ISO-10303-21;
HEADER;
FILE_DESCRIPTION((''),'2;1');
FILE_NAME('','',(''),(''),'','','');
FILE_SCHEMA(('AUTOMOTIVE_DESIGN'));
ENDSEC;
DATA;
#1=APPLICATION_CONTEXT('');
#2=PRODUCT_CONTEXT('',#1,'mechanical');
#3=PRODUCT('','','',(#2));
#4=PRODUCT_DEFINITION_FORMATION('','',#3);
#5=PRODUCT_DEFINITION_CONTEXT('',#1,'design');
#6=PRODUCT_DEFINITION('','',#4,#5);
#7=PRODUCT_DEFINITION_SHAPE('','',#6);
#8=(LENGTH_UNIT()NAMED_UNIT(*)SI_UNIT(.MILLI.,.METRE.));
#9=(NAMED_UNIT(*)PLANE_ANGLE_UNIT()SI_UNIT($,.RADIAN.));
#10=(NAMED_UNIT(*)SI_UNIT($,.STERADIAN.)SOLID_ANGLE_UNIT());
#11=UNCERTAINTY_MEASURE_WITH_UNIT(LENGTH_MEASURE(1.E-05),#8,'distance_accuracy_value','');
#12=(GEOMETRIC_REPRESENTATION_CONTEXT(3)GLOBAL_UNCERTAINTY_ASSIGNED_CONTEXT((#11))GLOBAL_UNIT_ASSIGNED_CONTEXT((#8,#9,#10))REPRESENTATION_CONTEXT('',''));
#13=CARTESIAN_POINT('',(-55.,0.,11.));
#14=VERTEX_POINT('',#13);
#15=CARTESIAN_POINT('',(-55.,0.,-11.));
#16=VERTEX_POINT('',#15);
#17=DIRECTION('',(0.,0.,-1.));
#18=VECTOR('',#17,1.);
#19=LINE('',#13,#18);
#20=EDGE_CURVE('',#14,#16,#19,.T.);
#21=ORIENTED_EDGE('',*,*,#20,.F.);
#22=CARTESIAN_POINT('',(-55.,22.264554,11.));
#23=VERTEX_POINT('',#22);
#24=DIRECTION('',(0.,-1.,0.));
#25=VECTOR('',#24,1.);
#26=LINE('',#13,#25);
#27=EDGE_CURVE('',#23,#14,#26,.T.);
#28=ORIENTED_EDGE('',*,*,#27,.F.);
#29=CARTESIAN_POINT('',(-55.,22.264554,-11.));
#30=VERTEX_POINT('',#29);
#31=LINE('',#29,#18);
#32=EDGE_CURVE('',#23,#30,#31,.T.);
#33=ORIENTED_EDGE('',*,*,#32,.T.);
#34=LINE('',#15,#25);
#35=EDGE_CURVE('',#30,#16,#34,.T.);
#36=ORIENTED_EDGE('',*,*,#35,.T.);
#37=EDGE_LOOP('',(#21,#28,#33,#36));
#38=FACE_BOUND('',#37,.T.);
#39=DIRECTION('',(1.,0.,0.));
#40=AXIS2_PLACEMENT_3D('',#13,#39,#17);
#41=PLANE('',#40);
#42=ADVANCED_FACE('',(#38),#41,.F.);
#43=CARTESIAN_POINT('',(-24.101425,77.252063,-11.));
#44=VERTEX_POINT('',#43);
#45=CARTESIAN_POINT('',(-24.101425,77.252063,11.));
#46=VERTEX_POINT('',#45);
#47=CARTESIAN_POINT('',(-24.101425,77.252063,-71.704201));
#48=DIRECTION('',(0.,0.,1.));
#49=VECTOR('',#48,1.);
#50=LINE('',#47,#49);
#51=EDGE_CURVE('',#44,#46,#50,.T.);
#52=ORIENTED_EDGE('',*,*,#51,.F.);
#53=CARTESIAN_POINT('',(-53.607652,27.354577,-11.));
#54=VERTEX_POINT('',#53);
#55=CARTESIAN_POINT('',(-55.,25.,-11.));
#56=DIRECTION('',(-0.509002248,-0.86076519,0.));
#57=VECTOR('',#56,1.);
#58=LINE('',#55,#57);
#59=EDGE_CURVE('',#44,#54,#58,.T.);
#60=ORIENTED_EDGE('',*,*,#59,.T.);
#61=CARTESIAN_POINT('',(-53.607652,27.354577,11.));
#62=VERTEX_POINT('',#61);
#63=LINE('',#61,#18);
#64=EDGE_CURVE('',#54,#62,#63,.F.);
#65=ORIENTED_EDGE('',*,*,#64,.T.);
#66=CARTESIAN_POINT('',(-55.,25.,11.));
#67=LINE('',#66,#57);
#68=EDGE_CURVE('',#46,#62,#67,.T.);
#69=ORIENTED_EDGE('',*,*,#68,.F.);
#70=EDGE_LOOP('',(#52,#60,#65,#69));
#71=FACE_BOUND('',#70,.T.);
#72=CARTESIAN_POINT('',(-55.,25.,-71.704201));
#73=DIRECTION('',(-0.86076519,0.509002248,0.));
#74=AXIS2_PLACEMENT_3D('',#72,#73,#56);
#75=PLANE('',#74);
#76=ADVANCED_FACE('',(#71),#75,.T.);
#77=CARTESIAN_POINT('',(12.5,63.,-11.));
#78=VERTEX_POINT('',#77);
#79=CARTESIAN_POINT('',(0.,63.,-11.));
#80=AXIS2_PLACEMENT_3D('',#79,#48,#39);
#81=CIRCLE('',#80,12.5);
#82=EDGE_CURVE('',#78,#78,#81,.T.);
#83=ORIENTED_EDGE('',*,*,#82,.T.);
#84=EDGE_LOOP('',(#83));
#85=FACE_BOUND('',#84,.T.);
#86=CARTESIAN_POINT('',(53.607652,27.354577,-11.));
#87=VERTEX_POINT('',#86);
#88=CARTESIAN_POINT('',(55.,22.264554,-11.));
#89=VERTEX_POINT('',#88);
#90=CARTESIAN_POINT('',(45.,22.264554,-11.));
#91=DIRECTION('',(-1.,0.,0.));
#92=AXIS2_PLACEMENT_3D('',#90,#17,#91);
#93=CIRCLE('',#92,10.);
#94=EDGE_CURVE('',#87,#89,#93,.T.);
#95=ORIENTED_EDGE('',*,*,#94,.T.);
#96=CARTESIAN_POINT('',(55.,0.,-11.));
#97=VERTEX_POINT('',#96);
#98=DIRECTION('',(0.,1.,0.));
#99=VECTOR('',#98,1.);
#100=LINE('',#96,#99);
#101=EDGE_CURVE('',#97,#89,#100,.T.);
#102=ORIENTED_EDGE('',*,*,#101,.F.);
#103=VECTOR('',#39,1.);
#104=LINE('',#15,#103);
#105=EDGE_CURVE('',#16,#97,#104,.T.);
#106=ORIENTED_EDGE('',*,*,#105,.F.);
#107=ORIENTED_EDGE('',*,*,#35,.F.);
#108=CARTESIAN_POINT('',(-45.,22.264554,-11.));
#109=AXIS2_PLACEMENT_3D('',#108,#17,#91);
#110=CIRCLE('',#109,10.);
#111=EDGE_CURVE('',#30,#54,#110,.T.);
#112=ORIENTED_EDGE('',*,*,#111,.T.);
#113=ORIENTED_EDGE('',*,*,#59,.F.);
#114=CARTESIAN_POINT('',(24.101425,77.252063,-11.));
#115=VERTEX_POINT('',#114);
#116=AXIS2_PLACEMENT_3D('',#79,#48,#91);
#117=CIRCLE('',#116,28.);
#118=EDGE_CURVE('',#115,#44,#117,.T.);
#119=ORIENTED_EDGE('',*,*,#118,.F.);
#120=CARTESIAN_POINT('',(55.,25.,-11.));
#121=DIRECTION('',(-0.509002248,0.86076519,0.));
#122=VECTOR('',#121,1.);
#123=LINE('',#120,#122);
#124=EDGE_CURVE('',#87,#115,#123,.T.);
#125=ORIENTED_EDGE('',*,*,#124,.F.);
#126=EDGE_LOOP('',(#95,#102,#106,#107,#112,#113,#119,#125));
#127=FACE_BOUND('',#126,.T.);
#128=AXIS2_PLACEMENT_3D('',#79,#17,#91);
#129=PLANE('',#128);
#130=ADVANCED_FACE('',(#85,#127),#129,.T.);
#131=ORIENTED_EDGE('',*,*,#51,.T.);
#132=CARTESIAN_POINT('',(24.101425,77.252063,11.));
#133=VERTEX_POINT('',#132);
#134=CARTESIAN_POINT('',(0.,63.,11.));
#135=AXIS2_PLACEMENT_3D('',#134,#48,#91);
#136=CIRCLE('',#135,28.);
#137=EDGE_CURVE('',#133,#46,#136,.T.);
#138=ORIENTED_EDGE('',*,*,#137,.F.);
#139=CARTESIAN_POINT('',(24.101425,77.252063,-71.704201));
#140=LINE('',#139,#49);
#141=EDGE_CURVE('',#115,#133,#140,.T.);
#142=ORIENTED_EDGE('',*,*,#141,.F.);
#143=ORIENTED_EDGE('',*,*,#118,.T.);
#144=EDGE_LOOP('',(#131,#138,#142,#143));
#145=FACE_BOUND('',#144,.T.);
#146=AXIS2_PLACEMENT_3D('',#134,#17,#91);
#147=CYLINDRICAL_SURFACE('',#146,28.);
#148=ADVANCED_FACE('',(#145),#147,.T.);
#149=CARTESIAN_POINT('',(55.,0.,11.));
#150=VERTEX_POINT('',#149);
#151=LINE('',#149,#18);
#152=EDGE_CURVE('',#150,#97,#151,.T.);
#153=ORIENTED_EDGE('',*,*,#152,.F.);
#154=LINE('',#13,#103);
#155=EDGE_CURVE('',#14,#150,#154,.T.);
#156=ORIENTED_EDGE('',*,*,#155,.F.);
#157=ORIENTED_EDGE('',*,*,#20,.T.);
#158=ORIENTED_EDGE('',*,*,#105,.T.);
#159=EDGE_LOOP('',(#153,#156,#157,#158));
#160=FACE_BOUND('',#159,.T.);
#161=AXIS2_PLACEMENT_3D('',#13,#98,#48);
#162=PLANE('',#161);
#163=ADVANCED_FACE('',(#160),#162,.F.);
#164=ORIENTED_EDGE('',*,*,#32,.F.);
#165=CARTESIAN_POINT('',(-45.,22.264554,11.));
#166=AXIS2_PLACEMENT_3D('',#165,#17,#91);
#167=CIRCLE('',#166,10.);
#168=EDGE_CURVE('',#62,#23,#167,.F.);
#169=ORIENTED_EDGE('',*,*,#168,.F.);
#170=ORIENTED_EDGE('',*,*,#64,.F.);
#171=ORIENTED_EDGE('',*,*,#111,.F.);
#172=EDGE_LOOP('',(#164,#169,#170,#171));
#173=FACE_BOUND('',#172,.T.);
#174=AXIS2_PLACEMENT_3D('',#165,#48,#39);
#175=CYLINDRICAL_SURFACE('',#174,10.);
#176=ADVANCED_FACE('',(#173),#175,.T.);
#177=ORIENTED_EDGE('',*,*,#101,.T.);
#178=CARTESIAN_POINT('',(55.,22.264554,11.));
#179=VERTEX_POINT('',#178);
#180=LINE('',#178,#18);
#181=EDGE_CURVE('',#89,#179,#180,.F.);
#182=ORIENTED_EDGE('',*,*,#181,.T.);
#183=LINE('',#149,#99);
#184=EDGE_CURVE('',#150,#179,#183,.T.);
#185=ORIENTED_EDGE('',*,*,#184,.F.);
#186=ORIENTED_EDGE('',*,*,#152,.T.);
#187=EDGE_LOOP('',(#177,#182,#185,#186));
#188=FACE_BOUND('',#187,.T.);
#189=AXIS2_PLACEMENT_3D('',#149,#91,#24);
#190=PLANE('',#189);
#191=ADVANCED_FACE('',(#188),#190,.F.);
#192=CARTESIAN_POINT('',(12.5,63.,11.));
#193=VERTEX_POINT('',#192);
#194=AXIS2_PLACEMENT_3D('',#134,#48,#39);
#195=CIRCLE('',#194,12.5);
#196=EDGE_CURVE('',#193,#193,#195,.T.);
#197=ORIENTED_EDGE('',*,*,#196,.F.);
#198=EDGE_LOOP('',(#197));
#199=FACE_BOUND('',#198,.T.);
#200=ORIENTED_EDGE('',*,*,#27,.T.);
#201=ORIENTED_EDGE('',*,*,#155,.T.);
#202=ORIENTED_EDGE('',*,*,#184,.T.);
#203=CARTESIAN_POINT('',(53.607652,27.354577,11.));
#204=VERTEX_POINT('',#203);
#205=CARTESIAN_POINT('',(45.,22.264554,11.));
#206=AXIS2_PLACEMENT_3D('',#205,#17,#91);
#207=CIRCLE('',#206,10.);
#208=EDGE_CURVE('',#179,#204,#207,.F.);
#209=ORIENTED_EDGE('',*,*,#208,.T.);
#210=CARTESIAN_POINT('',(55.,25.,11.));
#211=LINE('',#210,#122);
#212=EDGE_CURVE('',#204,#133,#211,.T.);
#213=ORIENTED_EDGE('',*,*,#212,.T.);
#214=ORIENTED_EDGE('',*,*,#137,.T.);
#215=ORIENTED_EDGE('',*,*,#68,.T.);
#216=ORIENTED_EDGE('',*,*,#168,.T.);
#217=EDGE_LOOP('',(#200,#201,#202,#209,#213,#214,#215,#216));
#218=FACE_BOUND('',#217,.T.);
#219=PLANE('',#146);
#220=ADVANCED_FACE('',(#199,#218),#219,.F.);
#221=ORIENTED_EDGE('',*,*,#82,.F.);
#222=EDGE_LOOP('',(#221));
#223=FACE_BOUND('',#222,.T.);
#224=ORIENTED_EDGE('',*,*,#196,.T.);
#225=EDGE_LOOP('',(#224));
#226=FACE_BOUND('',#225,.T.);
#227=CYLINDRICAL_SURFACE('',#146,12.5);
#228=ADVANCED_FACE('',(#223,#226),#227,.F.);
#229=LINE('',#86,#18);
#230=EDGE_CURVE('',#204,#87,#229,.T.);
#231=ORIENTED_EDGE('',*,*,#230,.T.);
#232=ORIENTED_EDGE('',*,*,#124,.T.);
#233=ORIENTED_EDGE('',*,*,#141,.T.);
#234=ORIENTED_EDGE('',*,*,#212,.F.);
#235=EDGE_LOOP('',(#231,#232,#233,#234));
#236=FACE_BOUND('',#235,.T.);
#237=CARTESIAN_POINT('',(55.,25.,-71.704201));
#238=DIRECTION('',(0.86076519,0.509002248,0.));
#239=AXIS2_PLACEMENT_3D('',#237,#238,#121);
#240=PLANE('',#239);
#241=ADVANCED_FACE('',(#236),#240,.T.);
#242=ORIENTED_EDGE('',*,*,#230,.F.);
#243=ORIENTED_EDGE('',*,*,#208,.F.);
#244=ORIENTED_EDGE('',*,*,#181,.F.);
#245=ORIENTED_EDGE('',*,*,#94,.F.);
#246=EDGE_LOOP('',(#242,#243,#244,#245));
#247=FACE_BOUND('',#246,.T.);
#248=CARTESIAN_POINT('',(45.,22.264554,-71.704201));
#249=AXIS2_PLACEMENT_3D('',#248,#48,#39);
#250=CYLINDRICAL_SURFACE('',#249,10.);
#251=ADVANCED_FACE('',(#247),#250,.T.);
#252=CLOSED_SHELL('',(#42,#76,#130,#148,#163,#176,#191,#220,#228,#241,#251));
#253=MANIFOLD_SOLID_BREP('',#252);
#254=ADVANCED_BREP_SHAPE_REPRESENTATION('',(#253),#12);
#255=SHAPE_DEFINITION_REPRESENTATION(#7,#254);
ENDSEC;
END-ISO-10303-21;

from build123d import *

# Parameters (mm, degrees)
SKETCH1_R           = 12.5
BOSS_EXTRUDE1_DEPTH = 11
BOSS_EXTRUDE2_DEPTH = 22
FILLET1_R           = 10


with BuildPart() as part:
    # Sketch1 → Boss-Extrude1 (new body, symmetric)
    with BuildSketch(Plane.XY):
        with BuildLine():
            Line((-55, 0), (55, 0))
            Line((55, 0), (55, 25))
            Line((55, 25), (28, 25))
            Line((28, 25), (28, 63))
            ThreePointArc((28, 63), (0, 91), (-28, 63))
            Line((-28, 63), (-28, 25))
            Line((-28, 25), (-55, 25))
            Line((-55, 25), (-55, 0))
        make_face()
        with Locations((0, 63)):
            Circle(SKETCH1_R, mode=Mode.SUBTRACT)
    extrude(amount=BOSS_EXTRUDE1_DEPTH, both=True)

    # Sketch2 → Boss-Extrude2 (add)
    with BuildSketch(Plane.XY.offset(11)):
        with BuildLine():
            Line((-55, 25), (-24.101425307, 77.252062944))
            ThreePointArc((-24.101425307, 77.252062944), (-27.007775812, 70.38783092), (-28, 63))
            Line((-28, 63), (-28, 25))
            Line((-28, 25), (-55, 25))
        make_face()
        with BuildLine():
            Line((55, 25), (24.101425307, 77.252062944))
            ThreePointArc((24.101425307, 77.252062944), (27.007775812, 70.38783092), (28, 63))
            Line((28, 63), (28, 25))
            Line((28, 25), (55, 25))
        make_face()
    extrude(amount=-BOSS_EXTRUDE2_DEPTH)

    # Fillet1
    fillet1_edges = [part.edges().sort_by_distance(p)[0] for p in [
        (-55, 25, 0),
        (55, 25, 0),
    ]]
    fillet(fillet1_edges, radius=FILLET1_R)


solid = part.part
